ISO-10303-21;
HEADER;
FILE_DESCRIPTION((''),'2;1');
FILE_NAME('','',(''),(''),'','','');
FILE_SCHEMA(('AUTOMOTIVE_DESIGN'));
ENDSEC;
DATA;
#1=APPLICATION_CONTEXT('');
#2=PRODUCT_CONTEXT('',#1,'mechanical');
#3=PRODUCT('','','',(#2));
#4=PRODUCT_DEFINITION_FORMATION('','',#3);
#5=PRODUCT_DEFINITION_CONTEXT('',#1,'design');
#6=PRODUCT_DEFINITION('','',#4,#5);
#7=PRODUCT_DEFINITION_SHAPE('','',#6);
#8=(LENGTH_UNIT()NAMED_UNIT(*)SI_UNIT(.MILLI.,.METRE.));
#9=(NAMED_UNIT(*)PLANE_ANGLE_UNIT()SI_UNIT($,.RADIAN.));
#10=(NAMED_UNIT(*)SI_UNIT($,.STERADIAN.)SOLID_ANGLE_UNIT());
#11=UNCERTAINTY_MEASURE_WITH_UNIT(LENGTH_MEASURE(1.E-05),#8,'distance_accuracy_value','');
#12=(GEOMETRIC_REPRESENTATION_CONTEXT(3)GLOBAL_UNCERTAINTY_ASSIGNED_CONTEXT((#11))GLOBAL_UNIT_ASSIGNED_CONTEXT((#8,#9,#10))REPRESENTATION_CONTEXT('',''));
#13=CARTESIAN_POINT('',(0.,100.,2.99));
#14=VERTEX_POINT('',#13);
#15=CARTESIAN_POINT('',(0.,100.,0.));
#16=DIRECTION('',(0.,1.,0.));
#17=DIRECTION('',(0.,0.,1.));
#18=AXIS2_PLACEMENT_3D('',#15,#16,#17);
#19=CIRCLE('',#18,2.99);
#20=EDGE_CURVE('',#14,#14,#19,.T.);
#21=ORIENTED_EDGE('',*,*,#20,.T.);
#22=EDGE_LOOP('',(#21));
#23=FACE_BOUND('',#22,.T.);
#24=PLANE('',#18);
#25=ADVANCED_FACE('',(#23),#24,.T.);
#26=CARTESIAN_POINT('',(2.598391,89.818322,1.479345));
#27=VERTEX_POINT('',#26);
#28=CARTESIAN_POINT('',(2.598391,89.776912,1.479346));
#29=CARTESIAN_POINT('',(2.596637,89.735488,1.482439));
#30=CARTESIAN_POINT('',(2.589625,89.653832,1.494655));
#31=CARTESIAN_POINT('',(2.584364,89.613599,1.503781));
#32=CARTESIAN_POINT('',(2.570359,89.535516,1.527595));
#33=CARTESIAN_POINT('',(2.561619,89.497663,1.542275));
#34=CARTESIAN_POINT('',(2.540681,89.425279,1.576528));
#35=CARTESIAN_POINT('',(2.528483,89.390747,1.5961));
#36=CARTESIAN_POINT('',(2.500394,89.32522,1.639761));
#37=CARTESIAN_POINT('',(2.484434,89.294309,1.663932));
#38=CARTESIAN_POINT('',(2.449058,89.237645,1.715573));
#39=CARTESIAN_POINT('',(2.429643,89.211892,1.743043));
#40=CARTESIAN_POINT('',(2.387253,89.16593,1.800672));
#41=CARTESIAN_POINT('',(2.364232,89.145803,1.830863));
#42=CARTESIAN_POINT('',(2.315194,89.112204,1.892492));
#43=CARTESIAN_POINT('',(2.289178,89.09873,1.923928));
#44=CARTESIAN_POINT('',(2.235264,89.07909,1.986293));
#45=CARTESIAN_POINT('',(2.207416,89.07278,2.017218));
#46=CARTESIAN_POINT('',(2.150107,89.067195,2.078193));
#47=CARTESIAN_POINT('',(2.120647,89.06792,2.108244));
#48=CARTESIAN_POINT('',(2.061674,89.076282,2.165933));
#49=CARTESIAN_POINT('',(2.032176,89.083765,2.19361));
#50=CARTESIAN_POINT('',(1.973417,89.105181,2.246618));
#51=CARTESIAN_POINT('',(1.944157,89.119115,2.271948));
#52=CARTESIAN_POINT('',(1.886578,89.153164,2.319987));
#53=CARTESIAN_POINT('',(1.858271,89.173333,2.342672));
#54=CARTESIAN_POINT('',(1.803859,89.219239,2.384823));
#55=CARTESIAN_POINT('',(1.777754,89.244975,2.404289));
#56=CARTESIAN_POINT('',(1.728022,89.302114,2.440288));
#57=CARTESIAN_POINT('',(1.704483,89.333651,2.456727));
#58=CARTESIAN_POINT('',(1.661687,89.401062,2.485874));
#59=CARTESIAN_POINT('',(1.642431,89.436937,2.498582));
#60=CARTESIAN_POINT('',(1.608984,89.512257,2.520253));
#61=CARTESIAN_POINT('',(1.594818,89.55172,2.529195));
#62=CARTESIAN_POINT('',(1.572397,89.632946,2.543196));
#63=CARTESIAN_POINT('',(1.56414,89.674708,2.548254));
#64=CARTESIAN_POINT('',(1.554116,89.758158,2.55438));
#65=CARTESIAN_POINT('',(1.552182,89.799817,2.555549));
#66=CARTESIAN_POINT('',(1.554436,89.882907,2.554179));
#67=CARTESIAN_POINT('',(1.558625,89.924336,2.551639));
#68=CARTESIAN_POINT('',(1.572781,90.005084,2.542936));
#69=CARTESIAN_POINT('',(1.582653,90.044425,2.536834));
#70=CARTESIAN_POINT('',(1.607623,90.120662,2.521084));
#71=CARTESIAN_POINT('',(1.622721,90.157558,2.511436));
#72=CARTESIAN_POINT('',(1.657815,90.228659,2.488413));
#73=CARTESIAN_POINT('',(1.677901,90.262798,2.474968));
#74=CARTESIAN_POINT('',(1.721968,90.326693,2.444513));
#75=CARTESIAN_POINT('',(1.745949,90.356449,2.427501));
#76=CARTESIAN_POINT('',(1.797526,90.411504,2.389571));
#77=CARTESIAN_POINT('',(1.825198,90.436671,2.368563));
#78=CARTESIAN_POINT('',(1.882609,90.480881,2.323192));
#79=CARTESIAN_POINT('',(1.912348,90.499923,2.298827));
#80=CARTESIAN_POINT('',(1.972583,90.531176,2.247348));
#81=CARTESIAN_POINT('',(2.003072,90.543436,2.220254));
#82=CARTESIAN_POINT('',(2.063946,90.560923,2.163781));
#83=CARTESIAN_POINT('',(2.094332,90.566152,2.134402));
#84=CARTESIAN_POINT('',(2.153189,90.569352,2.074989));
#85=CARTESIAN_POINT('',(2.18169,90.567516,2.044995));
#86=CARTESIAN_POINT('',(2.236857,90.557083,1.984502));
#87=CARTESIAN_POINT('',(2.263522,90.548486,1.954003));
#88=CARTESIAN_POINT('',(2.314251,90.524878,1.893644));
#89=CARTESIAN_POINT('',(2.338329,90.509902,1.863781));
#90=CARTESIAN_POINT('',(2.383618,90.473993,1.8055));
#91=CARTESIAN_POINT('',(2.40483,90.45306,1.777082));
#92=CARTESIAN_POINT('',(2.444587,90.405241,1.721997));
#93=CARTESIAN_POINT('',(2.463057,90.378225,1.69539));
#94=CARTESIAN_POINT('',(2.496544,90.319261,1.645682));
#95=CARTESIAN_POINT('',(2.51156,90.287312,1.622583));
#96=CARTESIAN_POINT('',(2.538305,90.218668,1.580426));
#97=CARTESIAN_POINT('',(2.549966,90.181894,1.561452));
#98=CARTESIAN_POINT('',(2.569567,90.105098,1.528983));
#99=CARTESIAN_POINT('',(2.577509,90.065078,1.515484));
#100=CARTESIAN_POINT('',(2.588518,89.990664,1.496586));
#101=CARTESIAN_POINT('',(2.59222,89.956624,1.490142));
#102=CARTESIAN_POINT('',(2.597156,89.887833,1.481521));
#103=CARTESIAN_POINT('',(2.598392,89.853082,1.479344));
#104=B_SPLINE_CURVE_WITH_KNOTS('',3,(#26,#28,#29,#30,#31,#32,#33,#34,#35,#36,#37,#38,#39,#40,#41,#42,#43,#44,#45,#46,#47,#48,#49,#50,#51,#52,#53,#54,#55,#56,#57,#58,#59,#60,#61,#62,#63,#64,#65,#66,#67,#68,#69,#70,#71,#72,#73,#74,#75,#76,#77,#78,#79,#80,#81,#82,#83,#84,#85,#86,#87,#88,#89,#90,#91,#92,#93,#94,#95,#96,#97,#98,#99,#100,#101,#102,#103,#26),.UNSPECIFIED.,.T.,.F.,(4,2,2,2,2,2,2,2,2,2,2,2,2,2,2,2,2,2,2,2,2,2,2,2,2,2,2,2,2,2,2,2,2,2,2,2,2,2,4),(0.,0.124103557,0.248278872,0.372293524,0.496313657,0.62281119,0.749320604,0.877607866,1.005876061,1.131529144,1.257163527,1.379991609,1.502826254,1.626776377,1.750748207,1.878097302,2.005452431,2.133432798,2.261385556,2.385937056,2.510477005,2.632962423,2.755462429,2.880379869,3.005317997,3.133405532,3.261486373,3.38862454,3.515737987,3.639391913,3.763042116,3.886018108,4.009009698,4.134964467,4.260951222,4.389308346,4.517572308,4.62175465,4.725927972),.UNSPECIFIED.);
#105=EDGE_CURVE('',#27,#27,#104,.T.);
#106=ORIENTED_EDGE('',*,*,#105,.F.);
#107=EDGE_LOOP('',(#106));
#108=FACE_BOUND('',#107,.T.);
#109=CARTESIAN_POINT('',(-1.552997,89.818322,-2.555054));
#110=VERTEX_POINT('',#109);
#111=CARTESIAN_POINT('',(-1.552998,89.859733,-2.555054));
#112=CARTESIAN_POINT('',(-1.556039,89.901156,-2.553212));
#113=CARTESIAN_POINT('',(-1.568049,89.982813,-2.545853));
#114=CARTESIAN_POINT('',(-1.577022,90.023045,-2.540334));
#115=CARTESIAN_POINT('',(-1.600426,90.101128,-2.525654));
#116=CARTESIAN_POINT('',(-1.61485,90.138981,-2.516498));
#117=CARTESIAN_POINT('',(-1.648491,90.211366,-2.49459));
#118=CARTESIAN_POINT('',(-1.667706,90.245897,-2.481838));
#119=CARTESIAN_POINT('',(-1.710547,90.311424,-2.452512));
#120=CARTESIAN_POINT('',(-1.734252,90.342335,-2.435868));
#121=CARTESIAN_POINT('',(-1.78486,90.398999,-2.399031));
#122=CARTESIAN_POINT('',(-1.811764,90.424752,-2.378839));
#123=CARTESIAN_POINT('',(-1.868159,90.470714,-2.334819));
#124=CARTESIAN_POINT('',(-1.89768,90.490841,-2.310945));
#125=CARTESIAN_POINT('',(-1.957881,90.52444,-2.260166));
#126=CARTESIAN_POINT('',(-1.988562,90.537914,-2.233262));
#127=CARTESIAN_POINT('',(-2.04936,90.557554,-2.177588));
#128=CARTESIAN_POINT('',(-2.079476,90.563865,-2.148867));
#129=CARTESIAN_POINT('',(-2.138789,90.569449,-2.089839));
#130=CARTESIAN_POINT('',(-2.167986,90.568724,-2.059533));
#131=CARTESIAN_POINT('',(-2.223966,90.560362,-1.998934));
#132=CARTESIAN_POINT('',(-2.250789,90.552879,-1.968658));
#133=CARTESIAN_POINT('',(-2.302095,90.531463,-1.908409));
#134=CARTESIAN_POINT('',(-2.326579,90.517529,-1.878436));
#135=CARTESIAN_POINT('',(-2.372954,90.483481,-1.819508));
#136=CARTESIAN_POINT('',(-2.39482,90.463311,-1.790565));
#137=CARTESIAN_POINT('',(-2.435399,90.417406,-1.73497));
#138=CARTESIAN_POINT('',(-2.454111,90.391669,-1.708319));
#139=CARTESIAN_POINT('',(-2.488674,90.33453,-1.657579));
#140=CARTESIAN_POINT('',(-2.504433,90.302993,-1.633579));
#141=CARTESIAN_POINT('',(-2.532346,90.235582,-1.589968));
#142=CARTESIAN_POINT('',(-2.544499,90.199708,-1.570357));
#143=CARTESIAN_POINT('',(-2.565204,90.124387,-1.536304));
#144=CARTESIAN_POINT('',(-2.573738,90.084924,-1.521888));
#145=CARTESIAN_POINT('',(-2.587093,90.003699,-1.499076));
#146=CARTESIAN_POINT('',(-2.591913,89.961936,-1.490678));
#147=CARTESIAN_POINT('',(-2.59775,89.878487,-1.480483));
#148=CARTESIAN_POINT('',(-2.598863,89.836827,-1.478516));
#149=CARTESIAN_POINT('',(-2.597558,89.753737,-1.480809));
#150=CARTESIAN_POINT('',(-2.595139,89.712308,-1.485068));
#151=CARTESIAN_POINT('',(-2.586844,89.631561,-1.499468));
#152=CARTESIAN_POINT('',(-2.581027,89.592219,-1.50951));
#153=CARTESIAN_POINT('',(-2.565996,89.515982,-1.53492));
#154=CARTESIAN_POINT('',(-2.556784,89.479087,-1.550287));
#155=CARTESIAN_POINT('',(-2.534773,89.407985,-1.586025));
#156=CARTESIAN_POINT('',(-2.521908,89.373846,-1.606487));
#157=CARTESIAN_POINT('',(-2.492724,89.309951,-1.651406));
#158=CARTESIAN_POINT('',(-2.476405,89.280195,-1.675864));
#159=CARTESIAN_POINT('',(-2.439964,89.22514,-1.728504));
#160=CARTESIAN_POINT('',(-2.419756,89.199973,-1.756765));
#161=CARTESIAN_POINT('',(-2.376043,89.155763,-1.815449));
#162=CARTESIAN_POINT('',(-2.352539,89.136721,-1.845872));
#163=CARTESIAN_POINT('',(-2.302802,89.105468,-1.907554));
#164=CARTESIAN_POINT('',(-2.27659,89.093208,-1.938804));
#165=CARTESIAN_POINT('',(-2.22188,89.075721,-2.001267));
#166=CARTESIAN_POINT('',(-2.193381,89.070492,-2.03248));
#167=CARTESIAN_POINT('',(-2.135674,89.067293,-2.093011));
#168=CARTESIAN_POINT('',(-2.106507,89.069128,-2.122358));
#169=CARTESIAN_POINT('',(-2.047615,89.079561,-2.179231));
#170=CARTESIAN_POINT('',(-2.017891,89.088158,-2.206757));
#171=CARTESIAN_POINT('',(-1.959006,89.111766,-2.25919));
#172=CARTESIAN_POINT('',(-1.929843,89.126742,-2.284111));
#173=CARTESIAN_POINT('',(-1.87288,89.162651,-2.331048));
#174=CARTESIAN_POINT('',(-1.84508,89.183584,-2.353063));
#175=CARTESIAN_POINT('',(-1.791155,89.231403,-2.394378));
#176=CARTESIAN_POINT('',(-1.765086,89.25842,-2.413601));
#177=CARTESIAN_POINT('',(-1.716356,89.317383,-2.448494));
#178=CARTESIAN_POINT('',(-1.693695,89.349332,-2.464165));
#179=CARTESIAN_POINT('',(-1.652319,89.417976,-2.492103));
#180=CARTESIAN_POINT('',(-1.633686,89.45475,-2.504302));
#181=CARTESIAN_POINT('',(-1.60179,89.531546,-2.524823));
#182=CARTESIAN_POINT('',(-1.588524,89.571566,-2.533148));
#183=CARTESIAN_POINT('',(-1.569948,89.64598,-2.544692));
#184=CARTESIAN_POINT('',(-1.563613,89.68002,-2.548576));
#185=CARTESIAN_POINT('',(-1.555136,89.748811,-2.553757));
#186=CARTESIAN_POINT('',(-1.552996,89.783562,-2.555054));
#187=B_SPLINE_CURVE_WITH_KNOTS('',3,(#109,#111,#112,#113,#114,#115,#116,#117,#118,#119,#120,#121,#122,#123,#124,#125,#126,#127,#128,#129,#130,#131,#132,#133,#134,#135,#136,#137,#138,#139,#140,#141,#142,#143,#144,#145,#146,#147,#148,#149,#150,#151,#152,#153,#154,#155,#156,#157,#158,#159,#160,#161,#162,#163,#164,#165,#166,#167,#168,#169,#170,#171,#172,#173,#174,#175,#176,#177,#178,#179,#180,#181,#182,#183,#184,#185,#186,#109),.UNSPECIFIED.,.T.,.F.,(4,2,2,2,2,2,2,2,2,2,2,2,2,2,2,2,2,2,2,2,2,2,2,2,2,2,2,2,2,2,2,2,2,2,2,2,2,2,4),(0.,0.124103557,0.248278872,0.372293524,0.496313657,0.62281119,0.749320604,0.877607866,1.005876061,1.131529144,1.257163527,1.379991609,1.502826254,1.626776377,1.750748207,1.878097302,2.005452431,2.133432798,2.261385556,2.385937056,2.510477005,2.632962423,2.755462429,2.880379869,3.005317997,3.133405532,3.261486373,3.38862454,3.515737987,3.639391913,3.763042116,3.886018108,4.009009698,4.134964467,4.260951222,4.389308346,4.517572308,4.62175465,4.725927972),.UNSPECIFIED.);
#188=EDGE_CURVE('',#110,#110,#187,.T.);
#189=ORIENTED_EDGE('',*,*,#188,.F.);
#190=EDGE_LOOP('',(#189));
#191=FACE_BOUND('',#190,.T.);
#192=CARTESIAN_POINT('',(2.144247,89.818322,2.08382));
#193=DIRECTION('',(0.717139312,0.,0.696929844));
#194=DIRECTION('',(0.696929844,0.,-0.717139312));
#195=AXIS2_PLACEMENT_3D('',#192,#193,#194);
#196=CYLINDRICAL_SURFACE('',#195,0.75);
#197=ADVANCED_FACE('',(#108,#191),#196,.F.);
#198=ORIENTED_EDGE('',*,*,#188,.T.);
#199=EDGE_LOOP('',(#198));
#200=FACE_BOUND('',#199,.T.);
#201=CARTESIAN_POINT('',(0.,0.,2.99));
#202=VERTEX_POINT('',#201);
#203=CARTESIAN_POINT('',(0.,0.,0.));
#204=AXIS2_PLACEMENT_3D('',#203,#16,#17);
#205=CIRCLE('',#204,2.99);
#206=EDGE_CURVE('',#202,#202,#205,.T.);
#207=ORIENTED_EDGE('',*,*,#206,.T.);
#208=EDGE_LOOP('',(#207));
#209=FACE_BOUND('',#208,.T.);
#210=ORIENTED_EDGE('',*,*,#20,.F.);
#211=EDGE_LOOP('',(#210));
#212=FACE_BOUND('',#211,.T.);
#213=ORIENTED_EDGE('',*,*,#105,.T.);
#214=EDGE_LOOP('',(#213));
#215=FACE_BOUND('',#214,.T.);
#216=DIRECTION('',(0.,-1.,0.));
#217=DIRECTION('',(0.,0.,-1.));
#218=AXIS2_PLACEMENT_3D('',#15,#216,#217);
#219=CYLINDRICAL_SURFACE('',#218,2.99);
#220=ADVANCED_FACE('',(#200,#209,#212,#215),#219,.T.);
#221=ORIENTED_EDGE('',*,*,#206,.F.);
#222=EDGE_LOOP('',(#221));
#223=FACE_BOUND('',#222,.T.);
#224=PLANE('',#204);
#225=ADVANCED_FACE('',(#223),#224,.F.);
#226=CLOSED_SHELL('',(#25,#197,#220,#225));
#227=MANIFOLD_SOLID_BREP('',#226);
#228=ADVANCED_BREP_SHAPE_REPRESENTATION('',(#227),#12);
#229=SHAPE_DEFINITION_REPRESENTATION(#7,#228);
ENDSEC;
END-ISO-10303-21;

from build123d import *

# Parameters (mm, degrees)
SKETCH1_R                 = 2.99
BOSS_EXTRUDE1_DEPTH       = 100
F_1_5MM_DOWEL_HOLE5_D     = 1.5
F_1_5MM_DOWEL_HOLE5_DEPTH = 20
F_1_5MM_DOWEL_HOLE5_TIP   = 0.450645464


with BuildPart() as part:
    # Sketch1 → Boss-Extrude1 (new body)
    with BuildSketch(Plane(origin=(0, 0, 0), x_dir=(1, 0, 0), z_dir=(0, 1, 0))):
        Circle(SKETCH1_R)
    extrude(amount=BOSS_EXTRUDE1_DEPTH)

    # Ø1.5mm Dowel Hole5
    with Locations(Plane(origin=(2.144246544, 89.818322141, 2.083820232), x_dir=(-0.696929844, 0, 0.717139312), z_dir=(0.717139312, 0, 0.696929844))):
        with Locations((0, 0)):
            Hole(F_1_5MM_DOWEL_HOLE5_D / 2, depth=F_1_5MM_DOWEL_HOLE5_DEPTH)
            with Locations((0, 0, -(F_1_5MM_DOWEL_HOLE5_DEPTH + F_1_5MM_DOWEL_HOLE5_TIP / 2))):  # 118° drill point
                Cone(0, F_1_5MM_DOWEL_HOLE5_D / 2, F_1_5MM_DOWEL_HOLE5_TIP, mode=Mode.SUBTRACT)


solid = part.part
